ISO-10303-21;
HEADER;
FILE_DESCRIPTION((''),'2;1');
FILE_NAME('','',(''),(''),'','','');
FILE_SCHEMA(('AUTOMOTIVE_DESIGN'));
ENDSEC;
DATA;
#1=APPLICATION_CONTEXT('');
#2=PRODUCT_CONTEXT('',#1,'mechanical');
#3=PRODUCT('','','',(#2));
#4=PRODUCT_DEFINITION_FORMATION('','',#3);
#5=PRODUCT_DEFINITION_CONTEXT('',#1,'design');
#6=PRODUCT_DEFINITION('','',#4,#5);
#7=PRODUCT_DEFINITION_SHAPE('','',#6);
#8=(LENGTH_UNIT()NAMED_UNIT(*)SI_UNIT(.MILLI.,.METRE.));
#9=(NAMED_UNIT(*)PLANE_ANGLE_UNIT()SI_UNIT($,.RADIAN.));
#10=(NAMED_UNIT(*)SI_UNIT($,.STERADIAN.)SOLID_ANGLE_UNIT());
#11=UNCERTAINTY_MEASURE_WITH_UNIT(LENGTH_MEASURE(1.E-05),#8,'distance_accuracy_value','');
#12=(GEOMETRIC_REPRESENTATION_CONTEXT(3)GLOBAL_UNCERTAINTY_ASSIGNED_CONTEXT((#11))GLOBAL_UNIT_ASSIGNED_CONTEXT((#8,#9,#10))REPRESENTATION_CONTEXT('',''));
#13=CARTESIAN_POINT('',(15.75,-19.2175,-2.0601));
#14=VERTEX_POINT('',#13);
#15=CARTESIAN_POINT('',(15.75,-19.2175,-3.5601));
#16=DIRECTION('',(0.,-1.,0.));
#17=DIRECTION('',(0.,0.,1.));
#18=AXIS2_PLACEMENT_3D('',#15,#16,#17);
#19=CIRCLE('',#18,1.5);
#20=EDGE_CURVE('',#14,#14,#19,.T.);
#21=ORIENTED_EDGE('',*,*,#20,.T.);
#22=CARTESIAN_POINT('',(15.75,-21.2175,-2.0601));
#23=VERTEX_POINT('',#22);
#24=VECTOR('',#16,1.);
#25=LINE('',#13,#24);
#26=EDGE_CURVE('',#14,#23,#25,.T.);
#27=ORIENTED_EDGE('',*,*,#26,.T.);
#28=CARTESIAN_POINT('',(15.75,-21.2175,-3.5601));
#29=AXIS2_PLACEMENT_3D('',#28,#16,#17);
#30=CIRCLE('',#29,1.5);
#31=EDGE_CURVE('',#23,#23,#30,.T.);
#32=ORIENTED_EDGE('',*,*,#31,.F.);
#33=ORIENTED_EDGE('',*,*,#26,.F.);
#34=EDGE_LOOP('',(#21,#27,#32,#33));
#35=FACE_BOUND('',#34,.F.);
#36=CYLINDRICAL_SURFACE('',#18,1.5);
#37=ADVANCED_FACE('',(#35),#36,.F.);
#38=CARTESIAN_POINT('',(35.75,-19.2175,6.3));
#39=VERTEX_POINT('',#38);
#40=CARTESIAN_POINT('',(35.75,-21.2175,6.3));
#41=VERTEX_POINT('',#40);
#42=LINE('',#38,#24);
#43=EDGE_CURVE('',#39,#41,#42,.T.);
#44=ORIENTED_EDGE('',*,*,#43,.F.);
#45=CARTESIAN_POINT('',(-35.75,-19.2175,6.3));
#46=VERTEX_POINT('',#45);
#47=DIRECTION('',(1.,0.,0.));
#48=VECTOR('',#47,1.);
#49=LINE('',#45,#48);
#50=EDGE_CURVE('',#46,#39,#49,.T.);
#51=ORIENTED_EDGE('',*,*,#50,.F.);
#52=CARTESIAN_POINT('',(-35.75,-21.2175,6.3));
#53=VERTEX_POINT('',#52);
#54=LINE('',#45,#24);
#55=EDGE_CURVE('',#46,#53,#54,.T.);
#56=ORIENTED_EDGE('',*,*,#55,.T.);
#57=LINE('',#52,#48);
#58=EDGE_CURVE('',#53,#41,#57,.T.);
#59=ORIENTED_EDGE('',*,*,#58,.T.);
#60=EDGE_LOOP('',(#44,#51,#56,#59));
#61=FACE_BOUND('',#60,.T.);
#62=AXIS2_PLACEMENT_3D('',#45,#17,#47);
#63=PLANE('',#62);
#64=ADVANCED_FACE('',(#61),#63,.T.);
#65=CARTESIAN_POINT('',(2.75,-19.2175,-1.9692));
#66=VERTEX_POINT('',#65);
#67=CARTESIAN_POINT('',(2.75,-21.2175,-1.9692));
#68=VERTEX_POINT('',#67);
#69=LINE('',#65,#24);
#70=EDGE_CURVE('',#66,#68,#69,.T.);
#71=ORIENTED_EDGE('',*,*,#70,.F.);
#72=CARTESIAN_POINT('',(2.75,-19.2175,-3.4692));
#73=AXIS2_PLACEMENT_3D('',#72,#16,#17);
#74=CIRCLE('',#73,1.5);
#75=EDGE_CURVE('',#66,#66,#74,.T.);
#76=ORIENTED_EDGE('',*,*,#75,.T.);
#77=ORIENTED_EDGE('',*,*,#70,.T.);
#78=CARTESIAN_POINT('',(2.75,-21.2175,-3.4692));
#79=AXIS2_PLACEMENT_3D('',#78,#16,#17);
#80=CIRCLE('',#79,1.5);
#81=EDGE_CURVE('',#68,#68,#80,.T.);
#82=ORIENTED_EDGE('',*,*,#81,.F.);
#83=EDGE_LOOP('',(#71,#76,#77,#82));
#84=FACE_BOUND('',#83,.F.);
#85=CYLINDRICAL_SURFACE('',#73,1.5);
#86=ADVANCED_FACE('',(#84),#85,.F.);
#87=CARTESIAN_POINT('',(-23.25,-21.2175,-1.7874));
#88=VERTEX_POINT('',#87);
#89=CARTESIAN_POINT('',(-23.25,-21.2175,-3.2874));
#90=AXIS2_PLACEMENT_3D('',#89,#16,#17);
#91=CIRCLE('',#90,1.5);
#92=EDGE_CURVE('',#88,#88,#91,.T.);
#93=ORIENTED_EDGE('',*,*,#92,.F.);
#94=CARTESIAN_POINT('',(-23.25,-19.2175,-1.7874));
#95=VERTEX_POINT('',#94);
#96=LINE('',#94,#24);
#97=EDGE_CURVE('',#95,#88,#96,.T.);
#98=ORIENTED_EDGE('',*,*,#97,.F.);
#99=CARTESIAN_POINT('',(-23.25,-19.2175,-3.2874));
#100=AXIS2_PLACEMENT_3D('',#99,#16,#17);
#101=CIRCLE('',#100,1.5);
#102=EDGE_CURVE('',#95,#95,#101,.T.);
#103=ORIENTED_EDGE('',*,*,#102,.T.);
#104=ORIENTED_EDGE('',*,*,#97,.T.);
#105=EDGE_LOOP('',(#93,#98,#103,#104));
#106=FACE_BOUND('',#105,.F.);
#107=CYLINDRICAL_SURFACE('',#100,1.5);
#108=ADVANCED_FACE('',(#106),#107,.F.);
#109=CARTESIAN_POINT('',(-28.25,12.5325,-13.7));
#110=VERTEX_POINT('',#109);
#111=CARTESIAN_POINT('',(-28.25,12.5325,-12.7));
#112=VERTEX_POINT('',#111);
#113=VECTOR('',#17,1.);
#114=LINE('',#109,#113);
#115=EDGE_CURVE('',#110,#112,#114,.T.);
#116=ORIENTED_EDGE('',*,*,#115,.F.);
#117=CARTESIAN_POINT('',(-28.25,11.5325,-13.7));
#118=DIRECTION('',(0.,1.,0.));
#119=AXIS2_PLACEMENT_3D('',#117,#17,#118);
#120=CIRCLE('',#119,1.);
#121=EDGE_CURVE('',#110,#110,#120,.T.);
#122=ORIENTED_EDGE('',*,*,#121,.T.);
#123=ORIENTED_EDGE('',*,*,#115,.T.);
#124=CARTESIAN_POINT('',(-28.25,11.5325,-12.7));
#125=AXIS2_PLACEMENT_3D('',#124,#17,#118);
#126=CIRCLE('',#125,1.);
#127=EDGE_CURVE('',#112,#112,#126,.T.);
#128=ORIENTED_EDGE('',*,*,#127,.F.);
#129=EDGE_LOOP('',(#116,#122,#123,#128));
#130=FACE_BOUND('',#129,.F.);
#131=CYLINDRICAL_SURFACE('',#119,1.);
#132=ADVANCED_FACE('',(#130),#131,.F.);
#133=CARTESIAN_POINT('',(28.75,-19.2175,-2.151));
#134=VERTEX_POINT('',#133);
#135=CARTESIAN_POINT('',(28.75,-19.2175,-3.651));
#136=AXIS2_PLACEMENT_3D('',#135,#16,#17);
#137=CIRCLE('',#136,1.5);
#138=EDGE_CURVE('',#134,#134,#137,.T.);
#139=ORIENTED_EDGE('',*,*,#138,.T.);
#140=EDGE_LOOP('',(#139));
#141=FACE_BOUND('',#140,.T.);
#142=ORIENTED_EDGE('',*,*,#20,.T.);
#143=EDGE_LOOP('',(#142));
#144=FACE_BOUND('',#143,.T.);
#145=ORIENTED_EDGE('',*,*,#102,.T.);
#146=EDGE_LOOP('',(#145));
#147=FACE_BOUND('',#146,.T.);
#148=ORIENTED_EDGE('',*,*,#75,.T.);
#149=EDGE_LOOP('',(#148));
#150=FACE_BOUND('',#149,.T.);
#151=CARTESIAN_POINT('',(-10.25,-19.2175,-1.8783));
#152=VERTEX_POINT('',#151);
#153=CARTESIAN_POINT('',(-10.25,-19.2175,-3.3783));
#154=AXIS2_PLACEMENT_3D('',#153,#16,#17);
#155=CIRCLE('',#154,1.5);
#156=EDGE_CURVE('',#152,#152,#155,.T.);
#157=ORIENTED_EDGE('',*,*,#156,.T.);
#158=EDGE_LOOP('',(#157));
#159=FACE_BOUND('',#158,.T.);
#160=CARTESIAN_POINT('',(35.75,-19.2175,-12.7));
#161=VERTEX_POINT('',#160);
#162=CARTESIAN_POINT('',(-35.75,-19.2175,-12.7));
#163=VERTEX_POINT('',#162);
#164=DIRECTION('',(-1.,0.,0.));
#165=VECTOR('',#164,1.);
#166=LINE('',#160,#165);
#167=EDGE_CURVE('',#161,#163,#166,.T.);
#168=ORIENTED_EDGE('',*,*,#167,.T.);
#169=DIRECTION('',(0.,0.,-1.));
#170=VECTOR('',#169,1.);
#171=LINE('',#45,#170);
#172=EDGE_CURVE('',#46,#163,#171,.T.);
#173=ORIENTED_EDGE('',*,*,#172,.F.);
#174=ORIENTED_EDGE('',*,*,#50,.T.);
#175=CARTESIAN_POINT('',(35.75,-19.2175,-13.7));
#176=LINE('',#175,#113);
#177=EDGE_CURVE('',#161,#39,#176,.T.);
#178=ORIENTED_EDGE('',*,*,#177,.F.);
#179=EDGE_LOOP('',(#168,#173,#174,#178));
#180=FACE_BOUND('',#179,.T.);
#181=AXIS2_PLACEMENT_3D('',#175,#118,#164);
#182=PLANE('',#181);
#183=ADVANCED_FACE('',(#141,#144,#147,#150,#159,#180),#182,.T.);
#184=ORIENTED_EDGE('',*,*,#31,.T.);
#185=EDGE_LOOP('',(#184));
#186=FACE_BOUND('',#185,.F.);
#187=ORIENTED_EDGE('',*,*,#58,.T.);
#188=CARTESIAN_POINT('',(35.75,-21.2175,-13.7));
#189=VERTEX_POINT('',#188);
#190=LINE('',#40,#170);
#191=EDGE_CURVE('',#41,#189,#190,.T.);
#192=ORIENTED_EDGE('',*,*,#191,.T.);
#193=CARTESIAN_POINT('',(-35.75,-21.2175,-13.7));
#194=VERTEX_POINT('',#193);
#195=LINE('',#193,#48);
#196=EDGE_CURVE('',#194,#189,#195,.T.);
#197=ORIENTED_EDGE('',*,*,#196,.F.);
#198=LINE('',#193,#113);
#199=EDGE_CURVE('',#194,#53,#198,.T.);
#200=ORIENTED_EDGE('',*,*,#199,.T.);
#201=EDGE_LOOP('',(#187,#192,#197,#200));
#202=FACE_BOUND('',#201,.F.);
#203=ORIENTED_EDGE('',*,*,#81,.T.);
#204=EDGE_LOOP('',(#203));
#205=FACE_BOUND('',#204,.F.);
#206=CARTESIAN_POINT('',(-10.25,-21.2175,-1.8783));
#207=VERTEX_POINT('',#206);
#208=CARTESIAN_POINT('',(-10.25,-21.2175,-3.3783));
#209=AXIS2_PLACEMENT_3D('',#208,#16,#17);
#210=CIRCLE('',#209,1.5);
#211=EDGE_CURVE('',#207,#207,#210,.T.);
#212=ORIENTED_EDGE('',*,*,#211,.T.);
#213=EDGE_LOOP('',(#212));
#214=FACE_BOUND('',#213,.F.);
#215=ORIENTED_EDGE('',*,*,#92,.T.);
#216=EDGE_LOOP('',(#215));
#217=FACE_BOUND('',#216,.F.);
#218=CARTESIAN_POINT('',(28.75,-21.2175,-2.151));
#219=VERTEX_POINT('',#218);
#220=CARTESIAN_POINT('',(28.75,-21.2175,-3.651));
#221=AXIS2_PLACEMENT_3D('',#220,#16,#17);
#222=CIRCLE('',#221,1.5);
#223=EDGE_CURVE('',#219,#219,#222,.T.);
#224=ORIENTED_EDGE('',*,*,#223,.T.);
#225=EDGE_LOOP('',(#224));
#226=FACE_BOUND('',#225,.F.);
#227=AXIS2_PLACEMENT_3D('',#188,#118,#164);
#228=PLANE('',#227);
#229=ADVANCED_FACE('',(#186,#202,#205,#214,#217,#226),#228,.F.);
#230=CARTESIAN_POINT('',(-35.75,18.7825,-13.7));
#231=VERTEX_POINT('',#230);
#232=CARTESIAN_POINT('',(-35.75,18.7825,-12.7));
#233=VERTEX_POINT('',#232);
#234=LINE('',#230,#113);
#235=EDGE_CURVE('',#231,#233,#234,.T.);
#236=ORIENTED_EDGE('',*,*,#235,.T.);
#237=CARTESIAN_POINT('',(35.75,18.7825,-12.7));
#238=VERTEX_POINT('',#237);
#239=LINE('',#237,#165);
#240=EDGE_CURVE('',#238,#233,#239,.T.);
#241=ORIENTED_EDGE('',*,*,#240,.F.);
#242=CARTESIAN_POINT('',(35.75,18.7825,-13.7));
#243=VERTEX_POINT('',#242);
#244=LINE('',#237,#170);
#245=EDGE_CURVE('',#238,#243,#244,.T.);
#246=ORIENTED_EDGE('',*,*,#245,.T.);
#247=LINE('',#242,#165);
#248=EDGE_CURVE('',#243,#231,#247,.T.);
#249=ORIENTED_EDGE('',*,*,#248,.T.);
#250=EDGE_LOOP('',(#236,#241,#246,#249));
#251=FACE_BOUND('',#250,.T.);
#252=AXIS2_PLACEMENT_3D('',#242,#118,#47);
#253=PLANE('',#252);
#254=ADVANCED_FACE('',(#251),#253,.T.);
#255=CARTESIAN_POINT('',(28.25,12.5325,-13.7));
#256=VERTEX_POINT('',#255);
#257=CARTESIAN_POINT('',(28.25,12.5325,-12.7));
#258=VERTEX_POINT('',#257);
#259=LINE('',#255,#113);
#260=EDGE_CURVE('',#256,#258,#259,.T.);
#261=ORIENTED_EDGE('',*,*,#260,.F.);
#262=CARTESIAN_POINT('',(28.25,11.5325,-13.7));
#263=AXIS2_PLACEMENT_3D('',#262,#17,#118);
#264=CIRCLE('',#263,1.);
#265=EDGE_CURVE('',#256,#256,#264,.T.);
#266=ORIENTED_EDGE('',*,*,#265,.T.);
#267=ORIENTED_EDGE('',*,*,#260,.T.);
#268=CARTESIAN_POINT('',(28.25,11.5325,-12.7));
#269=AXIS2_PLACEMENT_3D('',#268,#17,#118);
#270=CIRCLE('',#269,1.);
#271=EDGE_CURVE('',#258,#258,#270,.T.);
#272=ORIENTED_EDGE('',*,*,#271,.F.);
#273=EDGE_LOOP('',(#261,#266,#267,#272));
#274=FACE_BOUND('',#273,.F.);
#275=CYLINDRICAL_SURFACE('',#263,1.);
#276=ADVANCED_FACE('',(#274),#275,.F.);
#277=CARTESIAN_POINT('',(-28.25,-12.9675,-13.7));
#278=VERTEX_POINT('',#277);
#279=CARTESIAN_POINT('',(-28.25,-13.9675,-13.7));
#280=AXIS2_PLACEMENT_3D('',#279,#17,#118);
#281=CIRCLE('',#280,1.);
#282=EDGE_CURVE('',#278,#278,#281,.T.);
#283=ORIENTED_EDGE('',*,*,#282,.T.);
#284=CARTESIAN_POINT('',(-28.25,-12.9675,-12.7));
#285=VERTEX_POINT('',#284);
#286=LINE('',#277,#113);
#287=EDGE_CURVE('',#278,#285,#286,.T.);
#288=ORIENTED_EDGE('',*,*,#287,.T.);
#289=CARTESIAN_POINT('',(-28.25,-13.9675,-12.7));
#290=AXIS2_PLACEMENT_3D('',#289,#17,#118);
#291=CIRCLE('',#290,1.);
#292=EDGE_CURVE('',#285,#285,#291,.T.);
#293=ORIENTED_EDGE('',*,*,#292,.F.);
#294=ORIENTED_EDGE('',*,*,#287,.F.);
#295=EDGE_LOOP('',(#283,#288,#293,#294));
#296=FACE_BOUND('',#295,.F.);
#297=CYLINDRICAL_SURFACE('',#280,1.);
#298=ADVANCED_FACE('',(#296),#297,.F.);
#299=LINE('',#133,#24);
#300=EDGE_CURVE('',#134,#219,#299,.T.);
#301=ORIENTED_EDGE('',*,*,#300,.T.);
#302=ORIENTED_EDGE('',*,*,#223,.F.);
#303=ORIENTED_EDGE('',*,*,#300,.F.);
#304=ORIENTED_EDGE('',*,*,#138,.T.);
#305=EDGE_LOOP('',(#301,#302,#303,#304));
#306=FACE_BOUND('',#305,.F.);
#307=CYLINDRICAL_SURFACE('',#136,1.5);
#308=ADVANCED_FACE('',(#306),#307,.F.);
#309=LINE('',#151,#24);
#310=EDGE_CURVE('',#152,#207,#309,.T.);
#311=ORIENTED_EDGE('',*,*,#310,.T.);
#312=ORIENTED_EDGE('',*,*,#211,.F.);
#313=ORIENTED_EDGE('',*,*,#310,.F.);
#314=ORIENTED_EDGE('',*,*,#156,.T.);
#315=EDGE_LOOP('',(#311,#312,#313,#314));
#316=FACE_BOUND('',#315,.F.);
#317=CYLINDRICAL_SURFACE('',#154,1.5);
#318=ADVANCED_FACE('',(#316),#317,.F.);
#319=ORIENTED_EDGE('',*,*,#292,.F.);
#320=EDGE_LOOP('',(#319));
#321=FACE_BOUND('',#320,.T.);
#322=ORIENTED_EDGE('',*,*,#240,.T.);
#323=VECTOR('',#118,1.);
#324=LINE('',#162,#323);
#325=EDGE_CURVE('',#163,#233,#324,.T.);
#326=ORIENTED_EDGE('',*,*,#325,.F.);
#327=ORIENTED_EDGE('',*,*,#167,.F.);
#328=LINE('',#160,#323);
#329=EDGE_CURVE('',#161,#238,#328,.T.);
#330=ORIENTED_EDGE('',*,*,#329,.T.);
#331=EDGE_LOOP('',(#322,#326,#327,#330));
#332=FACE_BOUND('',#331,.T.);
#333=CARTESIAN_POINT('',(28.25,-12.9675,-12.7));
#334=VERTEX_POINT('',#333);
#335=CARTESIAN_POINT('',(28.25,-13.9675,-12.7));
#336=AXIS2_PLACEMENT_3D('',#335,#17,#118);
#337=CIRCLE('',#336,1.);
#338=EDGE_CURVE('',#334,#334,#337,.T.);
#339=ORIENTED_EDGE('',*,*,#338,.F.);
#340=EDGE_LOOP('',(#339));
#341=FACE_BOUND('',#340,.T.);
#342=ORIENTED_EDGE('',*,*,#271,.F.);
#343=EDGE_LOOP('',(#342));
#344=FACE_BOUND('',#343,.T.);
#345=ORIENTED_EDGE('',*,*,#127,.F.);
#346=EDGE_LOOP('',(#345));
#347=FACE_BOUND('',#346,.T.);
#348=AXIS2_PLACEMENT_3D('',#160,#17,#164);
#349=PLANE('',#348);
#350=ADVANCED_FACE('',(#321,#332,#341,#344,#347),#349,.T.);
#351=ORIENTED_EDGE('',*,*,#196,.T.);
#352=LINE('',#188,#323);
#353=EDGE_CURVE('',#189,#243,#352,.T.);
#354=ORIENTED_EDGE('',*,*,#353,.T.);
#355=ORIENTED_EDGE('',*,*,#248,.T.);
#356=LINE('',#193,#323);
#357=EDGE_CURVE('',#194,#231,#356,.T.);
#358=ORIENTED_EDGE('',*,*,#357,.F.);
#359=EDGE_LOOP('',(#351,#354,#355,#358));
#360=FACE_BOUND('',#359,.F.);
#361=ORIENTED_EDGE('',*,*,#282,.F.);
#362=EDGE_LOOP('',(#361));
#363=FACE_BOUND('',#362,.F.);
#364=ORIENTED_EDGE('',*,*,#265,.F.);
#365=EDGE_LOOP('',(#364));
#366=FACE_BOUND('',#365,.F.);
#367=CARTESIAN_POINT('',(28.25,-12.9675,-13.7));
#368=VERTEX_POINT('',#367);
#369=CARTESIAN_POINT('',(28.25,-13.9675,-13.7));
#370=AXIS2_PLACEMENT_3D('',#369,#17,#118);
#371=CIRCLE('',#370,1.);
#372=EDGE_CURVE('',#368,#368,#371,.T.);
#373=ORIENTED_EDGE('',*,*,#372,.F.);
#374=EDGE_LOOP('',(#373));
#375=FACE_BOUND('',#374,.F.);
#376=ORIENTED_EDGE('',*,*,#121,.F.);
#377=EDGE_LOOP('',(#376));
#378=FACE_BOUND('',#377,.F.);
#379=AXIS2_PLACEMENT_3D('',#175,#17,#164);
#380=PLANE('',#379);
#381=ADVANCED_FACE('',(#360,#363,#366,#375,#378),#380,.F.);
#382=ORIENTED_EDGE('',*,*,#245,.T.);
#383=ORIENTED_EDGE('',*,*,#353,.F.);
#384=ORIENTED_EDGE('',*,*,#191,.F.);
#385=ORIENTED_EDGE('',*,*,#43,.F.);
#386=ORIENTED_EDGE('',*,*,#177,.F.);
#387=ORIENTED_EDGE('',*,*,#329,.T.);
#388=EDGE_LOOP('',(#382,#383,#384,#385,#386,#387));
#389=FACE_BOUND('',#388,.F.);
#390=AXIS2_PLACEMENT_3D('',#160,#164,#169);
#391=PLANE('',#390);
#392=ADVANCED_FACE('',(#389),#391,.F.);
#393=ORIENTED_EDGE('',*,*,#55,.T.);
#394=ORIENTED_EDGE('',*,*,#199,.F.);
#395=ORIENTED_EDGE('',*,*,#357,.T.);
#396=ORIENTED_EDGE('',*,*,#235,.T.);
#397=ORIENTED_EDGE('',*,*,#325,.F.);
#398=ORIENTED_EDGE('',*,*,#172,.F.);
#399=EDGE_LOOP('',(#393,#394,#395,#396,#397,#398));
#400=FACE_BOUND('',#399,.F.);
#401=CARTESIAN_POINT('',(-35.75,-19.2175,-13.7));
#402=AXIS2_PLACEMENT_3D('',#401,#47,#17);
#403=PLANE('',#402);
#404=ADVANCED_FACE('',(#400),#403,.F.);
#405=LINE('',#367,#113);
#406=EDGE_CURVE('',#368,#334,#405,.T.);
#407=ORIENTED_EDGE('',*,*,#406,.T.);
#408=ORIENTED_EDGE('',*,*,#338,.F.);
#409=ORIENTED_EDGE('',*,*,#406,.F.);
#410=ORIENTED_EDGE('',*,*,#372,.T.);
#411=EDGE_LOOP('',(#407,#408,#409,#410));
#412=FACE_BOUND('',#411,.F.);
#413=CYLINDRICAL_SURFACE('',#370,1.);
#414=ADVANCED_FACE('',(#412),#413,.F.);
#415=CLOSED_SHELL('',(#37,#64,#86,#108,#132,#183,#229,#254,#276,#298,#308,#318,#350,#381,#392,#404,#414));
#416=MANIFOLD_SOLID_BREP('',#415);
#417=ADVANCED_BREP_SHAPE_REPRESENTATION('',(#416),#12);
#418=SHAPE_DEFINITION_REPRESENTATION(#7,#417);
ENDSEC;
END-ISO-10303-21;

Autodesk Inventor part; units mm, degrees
ref_plane "YZ Plane" through (0, 0, 0) normal (1, 0, 0) x (0, 1, 0)
ref_plane "XZ Plane" through (0, 0, 0) normal (0, 1, 0) x (-1, 0, 0)
ref_plane "XY Plane" through (0, 0, 0) normal (0, 0, 1) x (1, 0, 0)
sketch "スケッチ1" plane through (0, 0, 0) normal (0, 0, 1) x (1, 0, 0)
  line L0 (-32.5, -17.075) -> (32.5, -17.075)
  line L1 (32.5, -17.075) -> (32.5, 17.075)
  line L2 (32.5, 17.075) -> (-32.5, 17.075)
  line L3 (-32.5, 17.075) -> (-32.5, -17.075)
  line L4 (-32.5, -17.075) -> (32.5, 17.075) construction
  line L5 (32.5, -17.075) -> (-32.5, 17.075) construction
  point P0 (0, 0)
  dimension "d0" = 65
  dimension "d1" = 34.15
ref_plane "作業平面2" through (0, 0, -11.7) normal (0, 0, -1) x (-1, 0, 0)
ref_plane "作業平面1" through (35.75, -19.2175, -13.7) normal (0, 1, 0) x (-1, 0, 0)
sketch "スケッチ3" plane through (35.75, -19.2175, -13.7) normal (0, 1, 0) x (-1, 0, 0)
  line L0 (71.5, 0) -> (0, 0)
  line L1 (0, 0) -> (71.5, 0)
  line L2 (71.5, 0) -> (71.5, 20)
  line L3 (71.5, 20) -> (0, 20)
  line L4 (0, 20) -> (0, 0)
  line L5 (71.5, 1) -> (0, 1) projected
  point P0 (35.75, 13.7)
  dimension "d6" = 20
  dimension "d10" = 1
extrude "押し出し3" add sketch "スケッチ3" against normal blind 2
sketch "スケッチ4" plane through (35.75, -19.2175, -13.7) normal (0, 1, 0) x (1, 0, 0)
  line L0 (0, 0) -> (-71.5, 0) projected
  line L1 (0, -1) -> (-71.5, -1) projected
  line L2 (0, 0) -> (-71.5, 0)
  line L3 (-71.5, 0) -> (-71.5, -1)
  line L4 (-71.5, -1) -> (0, -1)
  line L5 (0, -1) -> (0, 0)
  point P0 (-35.75, -13.7)
extrude "押し出し4" add sketch "スケッチ4" along normal blind 38
sketch "スケッチ5" plane through (35.75, -19.2175, -13.7) normal (0, 1, 0) x (1, 0, 0)
  line L0 (0, 0) -> (0, -20) projected
  line L1 (0, -10) -> (-71.5, -10.5)
  line L2 (-71.5, -1) -> (-71.5, -20) projected
  point P0 (-35.75, -13.7)
  point P1 (-7, -10.049)
  point P2 (-20, -10.1399)
  point P3 (-33, -10.2308)
  point P4 (-46, -10.3217)
  point P5 (-59, -10.4126)
  dimension "d13" = 71.5
  dimension "d14" = 7
  dimension "d15" = 13
  dimension "d16" = 13
  dimension "d17" = 13
  dimension "d18" = 13
hole "穴1" at (28.75, -19.2175, -3.651) at (15.75, -19.2175, -3.5601) at (2.75, -19.2175, -3.4692) at (-10.25, -19.2175, -3.3783) at (-23.25, -19.2175, -3.2874) direction (0, -1, 0) diameter 3 depth 2 tip angle 118
sketch "スケッチ6" plane through (35.75, -21.2175, -13.7) normal (0, 0, -1) x (-1, 0, 0)
  line L0 (0, 2) -> (0, 40) projected
  line L1 (0, 0) -> (71.5, 0) projected
  line L2 (0, 40) -> (71.5, 40) projected
  line L3 (64, 7.25) -> (7.5, 7.25)
  line L4 (7.5, 7.25) -> (7.5, 32.75)
  line L5 (7.5, 32.75) -> (64, 32.75)
  line L6 (64, 32.75) -> (64, 7.25)
  line L7 (64, 7.25) -> (7.5, 32.75) construction
  line L8 (7.5, 7.25) -> (64, 32.75) construction
  point P0 (35.75, 21.2175)
  point P1 (35.75, 20)
  dimension "d26" = 56.5
  dimension "d27" = 25.5
hole "穴2" at (28.25, 11.5325, -13.7) at (28.25, -13.9675, -13.7) at (-28.25, 11.5325, -13.7) at (-28.25, -13.9675, -13.7) direction (0, 0, 1) diameter 2 depth 2 tip angle 118
properties part number "avhzy_maunt"
